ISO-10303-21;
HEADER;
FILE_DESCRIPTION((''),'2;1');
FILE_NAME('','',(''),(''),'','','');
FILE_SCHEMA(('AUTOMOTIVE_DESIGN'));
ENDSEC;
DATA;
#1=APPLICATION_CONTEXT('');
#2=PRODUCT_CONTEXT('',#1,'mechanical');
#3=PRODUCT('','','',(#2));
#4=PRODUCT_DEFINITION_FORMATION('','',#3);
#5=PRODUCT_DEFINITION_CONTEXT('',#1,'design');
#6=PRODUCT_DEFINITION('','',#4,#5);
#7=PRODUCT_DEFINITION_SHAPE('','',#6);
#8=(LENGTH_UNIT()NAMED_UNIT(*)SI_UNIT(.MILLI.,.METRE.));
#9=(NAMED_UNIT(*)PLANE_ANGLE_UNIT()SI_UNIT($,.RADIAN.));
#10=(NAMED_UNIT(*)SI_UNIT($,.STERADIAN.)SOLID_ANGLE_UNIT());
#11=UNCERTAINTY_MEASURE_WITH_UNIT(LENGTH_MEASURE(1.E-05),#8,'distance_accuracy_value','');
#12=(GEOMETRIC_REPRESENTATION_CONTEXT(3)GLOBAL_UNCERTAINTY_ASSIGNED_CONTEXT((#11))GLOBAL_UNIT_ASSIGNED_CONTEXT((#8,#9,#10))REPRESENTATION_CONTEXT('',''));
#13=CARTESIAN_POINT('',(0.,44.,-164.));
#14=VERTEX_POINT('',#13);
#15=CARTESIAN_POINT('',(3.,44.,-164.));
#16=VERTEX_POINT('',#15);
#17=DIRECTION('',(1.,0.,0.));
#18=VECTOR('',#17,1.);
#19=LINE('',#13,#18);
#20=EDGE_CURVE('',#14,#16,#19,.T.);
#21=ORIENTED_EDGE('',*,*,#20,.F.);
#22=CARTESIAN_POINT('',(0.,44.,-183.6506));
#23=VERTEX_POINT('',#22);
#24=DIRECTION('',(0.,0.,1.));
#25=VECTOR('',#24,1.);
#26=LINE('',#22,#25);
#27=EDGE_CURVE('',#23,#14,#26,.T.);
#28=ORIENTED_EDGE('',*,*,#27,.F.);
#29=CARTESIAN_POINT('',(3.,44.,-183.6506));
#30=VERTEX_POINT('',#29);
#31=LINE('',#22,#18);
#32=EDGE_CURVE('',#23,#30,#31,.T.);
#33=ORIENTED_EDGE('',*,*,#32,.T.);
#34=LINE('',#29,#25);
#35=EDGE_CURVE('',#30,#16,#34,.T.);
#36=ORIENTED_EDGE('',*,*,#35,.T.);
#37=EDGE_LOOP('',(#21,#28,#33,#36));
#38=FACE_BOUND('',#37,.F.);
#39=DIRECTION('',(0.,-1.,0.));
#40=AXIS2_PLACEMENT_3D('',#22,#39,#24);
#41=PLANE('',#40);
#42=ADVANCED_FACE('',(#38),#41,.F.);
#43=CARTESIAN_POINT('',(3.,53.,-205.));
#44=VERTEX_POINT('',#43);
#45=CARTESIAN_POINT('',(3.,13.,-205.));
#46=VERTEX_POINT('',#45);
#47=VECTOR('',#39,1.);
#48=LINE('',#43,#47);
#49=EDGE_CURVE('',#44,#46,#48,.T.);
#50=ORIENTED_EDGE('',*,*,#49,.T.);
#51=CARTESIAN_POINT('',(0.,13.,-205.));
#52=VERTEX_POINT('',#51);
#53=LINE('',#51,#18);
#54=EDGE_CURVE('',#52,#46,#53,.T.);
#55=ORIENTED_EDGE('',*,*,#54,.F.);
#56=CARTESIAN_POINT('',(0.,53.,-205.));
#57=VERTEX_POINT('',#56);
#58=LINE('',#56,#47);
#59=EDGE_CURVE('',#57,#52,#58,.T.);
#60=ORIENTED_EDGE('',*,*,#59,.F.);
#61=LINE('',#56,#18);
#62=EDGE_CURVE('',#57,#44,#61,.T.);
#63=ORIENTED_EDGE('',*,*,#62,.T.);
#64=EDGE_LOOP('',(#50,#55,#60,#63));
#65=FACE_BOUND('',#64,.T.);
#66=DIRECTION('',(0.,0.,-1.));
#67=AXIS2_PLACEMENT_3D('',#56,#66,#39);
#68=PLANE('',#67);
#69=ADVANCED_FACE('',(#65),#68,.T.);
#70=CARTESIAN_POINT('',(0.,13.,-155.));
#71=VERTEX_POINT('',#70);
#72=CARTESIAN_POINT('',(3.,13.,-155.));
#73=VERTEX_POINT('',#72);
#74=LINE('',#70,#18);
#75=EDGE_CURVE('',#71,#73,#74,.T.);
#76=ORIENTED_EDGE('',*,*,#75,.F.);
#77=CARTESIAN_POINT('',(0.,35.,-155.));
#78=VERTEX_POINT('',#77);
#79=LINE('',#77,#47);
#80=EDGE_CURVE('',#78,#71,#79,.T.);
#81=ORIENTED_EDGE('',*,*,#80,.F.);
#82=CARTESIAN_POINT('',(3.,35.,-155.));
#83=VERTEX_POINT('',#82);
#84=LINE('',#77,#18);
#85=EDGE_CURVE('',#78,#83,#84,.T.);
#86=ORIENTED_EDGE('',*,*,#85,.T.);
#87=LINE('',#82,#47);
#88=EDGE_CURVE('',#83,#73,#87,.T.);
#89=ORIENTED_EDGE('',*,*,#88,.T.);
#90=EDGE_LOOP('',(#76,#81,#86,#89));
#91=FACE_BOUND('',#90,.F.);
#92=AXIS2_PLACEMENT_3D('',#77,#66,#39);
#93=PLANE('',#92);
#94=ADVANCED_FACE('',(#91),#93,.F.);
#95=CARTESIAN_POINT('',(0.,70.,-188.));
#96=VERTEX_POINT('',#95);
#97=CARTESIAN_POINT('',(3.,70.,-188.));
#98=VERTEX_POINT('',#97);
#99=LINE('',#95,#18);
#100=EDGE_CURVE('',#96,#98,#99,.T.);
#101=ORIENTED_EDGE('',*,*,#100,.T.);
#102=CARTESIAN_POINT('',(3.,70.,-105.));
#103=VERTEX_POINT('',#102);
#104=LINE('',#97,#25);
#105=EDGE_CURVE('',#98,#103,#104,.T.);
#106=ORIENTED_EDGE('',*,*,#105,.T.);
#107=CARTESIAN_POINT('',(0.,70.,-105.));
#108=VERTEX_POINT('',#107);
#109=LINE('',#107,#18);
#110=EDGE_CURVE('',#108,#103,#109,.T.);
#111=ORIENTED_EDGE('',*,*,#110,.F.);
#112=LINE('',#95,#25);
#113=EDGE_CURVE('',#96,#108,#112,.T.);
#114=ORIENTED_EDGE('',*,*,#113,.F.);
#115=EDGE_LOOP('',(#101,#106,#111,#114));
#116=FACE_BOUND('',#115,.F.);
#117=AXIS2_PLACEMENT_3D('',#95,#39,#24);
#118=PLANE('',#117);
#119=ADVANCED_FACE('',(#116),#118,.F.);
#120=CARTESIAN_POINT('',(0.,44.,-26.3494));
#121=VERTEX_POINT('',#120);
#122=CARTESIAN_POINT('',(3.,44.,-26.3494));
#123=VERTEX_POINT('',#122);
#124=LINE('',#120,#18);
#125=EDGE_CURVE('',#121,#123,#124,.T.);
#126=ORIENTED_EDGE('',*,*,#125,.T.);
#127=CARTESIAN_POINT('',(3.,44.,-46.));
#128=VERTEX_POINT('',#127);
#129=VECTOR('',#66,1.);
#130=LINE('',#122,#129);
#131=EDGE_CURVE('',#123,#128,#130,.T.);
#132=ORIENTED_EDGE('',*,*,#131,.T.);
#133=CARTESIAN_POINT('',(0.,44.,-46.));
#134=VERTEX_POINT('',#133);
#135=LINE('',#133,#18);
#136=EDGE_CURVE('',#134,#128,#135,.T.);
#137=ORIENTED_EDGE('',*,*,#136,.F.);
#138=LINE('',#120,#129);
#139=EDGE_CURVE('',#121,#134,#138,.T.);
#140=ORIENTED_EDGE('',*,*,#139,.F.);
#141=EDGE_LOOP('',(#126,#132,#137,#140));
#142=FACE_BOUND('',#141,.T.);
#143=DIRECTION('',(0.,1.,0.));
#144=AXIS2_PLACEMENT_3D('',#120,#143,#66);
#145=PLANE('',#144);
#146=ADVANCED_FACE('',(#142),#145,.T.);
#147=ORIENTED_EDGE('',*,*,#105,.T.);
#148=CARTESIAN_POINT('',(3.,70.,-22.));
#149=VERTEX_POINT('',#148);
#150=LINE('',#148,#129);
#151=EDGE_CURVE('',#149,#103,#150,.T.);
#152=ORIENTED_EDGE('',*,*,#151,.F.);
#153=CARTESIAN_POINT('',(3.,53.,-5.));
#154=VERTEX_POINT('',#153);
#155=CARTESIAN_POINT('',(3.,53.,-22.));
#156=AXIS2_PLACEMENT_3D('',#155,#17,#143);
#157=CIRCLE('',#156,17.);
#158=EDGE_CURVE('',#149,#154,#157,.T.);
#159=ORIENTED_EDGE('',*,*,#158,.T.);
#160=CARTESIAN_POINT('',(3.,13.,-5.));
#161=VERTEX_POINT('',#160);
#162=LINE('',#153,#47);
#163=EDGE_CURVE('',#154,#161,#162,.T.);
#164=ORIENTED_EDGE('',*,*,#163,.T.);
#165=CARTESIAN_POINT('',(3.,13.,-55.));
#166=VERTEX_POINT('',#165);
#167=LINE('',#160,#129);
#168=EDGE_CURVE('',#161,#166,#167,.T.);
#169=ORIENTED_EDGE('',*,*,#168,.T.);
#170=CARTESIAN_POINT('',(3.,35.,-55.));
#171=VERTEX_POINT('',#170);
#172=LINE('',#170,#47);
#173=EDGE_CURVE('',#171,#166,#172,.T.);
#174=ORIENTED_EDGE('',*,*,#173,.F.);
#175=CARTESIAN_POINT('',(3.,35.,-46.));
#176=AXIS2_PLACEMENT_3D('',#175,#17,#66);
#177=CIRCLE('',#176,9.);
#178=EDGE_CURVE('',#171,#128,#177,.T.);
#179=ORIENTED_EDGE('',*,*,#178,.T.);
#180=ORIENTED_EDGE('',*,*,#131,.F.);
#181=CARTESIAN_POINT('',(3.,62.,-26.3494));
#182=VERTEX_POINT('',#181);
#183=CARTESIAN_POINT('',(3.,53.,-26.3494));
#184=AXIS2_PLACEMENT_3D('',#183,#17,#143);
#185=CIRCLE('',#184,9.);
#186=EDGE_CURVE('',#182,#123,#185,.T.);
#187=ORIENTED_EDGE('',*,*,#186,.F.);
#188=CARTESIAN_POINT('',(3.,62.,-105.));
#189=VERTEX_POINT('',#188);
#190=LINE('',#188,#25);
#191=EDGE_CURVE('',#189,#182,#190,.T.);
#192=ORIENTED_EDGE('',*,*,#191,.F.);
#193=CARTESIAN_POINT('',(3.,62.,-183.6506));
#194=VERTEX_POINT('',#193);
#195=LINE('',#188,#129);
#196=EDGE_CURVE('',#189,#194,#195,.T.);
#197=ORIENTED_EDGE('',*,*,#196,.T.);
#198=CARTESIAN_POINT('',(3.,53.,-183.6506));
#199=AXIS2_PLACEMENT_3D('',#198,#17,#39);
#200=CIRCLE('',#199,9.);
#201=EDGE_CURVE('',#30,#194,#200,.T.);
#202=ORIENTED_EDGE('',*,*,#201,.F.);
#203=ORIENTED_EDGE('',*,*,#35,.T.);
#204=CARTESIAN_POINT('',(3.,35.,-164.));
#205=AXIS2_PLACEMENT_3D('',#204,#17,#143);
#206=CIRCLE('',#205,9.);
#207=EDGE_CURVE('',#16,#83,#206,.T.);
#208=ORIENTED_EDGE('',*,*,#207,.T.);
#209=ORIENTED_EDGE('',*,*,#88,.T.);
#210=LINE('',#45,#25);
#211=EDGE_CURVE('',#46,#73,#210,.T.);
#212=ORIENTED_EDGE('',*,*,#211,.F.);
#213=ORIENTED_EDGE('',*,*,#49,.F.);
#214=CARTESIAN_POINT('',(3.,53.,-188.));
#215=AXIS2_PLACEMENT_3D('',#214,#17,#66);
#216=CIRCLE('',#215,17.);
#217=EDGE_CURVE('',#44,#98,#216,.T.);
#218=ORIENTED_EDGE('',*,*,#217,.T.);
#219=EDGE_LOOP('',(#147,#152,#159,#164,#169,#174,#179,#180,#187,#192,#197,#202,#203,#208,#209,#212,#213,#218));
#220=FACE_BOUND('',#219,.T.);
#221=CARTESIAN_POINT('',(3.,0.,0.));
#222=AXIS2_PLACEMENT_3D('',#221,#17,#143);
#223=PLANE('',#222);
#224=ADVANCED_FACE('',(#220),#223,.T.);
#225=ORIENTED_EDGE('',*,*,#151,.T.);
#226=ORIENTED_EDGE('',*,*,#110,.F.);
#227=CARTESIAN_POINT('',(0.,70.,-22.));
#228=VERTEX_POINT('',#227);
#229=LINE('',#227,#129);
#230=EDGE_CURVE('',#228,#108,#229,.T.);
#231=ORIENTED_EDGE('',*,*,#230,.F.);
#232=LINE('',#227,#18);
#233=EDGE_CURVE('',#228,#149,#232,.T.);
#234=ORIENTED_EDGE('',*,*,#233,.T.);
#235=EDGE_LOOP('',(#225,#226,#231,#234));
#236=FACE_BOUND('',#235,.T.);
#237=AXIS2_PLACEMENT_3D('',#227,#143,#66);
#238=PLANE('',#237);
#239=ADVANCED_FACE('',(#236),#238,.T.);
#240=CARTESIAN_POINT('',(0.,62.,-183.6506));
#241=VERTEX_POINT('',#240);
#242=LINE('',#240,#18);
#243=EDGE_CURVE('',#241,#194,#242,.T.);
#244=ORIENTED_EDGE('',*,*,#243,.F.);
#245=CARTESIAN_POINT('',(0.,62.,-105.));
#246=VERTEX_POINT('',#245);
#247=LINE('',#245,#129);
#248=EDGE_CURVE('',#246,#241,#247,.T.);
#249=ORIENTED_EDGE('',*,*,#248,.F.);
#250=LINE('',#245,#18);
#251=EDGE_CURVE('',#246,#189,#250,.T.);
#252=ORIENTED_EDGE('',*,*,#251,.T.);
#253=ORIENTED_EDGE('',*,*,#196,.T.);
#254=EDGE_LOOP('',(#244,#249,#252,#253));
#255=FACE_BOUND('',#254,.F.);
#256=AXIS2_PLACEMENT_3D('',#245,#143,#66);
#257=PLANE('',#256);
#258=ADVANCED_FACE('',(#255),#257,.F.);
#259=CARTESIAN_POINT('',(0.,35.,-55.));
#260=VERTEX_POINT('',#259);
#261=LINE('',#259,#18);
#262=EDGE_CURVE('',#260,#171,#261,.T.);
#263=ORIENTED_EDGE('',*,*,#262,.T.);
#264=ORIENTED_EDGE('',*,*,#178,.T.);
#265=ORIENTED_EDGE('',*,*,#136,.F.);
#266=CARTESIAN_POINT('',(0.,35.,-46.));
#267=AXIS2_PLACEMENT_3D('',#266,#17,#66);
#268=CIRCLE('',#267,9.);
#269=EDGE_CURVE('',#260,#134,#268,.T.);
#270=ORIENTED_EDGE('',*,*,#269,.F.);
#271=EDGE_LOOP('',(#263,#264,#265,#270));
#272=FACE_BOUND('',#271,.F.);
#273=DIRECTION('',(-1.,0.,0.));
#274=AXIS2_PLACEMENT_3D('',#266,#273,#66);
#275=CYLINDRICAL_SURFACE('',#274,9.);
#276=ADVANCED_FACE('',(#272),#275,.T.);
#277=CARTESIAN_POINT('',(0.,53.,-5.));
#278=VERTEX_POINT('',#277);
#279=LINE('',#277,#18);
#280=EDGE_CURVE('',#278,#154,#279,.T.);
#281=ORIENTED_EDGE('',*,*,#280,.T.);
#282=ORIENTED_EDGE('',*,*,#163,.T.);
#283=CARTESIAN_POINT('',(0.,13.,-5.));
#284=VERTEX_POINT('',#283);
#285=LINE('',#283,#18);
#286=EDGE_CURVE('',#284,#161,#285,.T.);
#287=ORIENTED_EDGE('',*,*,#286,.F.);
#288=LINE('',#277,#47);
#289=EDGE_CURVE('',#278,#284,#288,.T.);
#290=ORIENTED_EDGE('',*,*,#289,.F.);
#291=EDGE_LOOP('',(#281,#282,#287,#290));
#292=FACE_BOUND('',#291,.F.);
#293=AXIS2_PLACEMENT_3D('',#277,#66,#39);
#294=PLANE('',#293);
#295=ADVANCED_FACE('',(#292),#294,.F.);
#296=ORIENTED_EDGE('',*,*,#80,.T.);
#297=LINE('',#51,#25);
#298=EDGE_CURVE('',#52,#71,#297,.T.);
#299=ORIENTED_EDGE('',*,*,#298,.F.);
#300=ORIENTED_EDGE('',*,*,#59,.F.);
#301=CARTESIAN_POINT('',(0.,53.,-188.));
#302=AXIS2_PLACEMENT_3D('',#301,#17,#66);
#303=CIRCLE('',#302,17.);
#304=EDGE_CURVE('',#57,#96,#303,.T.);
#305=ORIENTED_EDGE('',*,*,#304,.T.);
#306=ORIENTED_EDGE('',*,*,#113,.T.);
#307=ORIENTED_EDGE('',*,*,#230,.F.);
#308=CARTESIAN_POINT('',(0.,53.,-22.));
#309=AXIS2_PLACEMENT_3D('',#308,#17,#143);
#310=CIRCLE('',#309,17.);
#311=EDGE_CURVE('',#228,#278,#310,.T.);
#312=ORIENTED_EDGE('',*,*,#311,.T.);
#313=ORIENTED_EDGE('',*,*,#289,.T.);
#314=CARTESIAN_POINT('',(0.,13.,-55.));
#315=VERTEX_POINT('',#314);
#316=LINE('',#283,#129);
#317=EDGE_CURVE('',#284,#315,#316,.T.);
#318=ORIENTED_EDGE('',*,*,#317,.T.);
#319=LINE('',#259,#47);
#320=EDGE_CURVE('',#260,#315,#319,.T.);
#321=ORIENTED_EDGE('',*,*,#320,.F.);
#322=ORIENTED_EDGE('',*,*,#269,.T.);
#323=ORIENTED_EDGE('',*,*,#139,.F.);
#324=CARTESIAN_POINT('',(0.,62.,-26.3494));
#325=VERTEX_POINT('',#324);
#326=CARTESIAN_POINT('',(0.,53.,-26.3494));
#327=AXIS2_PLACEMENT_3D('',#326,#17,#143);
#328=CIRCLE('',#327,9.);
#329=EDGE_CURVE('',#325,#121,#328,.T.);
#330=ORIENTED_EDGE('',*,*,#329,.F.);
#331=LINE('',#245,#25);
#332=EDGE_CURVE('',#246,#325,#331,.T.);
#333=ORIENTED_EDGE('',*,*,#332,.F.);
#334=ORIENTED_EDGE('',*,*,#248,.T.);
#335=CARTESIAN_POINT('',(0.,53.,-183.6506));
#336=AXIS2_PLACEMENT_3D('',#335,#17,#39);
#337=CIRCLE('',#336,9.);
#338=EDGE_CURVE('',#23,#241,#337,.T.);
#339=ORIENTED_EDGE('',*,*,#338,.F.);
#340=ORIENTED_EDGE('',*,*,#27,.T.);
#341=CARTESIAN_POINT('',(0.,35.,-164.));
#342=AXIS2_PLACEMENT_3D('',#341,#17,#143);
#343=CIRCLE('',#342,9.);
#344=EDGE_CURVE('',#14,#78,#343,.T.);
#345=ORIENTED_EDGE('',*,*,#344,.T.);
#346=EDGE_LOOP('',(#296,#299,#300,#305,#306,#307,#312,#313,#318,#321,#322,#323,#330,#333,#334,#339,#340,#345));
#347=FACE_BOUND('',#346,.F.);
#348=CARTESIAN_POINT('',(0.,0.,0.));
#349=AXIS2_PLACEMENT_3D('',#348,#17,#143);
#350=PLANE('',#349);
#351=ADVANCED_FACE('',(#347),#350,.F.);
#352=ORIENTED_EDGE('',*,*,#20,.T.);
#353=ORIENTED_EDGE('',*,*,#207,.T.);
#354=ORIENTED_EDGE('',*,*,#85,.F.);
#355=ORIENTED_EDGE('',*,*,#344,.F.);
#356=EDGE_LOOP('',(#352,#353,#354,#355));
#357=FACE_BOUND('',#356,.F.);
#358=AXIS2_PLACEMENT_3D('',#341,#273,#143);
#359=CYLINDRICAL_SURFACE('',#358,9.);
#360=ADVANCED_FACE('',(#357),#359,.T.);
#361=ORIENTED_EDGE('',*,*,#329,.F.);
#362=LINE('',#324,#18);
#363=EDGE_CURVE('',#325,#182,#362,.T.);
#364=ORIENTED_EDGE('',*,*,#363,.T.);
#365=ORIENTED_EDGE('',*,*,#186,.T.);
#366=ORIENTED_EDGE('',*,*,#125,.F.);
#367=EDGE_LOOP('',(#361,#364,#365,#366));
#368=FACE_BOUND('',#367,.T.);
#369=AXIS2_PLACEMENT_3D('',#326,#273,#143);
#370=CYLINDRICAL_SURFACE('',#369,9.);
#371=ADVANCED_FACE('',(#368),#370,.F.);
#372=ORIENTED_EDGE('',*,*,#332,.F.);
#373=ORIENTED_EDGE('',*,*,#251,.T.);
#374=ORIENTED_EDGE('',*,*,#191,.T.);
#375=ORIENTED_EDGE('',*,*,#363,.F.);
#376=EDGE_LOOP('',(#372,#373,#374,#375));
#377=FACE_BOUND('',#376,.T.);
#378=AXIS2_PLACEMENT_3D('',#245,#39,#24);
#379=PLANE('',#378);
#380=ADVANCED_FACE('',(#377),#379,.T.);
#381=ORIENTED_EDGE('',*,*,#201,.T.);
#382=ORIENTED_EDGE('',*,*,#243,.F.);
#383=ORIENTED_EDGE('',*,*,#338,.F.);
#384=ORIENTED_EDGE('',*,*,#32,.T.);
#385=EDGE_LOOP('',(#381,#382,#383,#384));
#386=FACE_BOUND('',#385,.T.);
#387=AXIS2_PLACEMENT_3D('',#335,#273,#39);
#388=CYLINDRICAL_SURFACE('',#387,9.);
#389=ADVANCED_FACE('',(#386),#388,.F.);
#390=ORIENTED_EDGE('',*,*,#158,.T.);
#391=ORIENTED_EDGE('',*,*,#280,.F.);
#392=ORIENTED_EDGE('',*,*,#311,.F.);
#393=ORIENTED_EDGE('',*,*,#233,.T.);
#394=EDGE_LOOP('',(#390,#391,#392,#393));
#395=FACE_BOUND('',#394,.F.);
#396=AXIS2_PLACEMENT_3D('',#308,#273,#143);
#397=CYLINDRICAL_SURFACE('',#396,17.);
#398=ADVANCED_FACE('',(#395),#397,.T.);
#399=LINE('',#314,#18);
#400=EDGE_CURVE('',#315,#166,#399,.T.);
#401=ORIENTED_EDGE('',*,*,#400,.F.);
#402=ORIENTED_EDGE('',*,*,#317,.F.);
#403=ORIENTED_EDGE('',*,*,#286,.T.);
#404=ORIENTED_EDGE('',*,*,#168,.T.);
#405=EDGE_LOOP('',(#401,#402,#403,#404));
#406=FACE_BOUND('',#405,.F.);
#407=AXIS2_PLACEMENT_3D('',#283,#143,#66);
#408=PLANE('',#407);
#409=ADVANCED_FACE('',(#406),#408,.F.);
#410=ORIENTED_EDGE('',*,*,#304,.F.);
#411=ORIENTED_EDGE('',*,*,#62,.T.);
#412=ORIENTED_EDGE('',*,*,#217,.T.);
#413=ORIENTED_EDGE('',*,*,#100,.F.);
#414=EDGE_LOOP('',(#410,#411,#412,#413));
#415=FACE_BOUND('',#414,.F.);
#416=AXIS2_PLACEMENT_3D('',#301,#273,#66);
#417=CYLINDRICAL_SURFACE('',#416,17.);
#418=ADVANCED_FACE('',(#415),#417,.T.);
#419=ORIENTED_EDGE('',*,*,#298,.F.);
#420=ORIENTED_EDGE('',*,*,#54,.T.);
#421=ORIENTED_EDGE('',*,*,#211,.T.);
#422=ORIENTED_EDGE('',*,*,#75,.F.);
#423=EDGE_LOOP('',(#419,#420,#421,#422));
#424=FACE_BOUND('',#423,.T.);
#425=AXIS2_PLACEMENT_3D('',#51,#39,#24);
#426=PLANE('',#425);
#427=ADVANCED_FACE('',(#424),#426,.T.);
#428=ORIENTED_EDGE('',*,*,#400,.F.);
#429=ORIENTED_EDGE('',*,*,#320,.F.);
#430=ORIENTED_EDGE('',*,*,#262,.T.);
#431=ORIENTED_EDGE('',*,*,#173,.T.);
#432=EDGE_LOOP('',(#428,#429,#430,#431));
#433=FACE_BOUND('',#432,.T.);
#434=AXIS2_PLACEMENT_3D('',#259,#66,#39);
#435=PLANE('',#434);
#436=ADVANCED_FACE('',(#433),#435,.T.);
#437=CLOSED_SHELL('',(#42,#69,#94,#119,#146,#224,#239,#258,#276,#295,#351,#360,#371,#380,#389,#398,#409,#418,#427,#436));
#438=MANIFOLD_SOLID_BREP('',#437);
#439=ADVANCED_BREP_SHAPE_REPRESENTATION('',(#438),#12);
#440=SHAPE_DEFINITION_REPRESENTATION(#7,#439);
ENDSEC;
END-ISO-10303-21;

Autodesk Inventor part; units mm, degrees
ref_plane "YZ Plane" through (0, 0, 0) normal (1, 0, 0) x (0, 1, 0)
ref_plane "XZ Plane" through (0, 0, 0) normal (0, 1, 0) x (-1, 0, 0)
ref_plane "XY Plane" through (0, 0, 0) normal (0, 0, 1) x (1, 0, 0)
sketch "Sketch1" plane through (0, 0, 0) normal (1, 0, 0) x (0, 1, 0)
  line L0 (0, 0) -> (18, 0) construction
  line L1 (18, 0) -> (18, -390) construction
  line L2 (18, -390) -> (0, -390) construction
  line L3 (0, -390) -> (0, 0) construction
  line L4 (88, 0) -> (78, 0) construction
  line L5 (78, 0) -> (78, -210) construction
  line L6 (78, -210) -> (88, -210) construction
  line L7 (88, -210) -> (88, 0) construction
  line L8 (18, 0) -> (28, 0) construction
  line L9 (28, 0) -> (28, -210) construction
  line L10 (28, -210) -> (18, -210) construction
  line L11 (18, -210) -> (18, 0) construction
  circle A0 centre (53, -21.3494) radius 25 construction
  line L12 (28, 0) -> (13, 0) construction
  line L13 (13, 0) -> (13, -105) construction
  line L14 (13, -105) -> (28, -105) construction
  line L15 (28, 0) -> (35, 0) construction
  line L16 (35, 0) -> (35, -4) construction
  arc A1 (35, -4) -> (28, -11) centre (35, -11) ccw construction
  line L17 (28, -11) -> (28, -105) construction
  circle A2 centre (53, -21.3494) radius 4 construction
  circle A3 centre (53, -188.6506) radius 25 construction
  circle A4 centre (53, -188.6506) radius 4 construction
  line L18 (57, -21.3494) -> (57, 53.377) construction
  line L19 (44, -26.3494) -> (44, -46)
  arc A5 (35, -55) -> (44, -46) centre (35, -46) ccw
  line L20 (35, -55) -> (13, -55)
  line L21 (49, -21.3494) -> (49, -26.623) construction
  line L22 (53, -5) -> (13, -5)
  line L23 (13, -5) -> (13, -55)
  line L24 (70, -22) -> (70, -105)
  line L25 (62, -105) -> (62, -26.3494)
  arc A6 (44, -164) -> (35, -155) centre (35, -164) ccw
  line L26 (35, -155) -> (13, -155)
  line L27 (53, -205) -> (13, -205)
  line L28 (13, -205) -> (13, -155)
  arc A7 (62, -26.3494) -> (44, -26.3494) centre (53, -26.3494) ccw
  line L29 (53, -17.3494) -> (54.9283, -17.3494) construction
  line L30 (53, -17.3494) -> (54.5485, -17.3494) construction
  line L31 (44, -183.6506) -> (44, -164)
  line L32 (62, -105) -> (62, -183.6506)
  arc A8 (44, -183.6506) -> (62, -183.6506) centre (53, -183.6506) ccw
  line L33 (53, -21.3494) -> (53, -188.6506) construction
  line L34 (49, -21.3494) -> (49, -188.6506) construction
  line L35 (57, -188.6506) -> (57, -21.3494) construction
  arc A9 (57, -21.3494) -> (49, -21.3494) centre (53, -21.3494) ccw construction
  arc A10 (49, -188.6506) -> (57, -188.6506) centre (53, -188.6506) ccw construction
  arc A11 (70, -22) -> (53, -5) centre (53, -22) ccw
  line L36 (70, -188) -> (70, -105)
  arc A12 (53, -205) -> (70, -188) centre (53, -188) ccw
  point P0 (20.5, -105)
  point P1 (53, -105)
  dimension "d6" = 50
  dimension "d0" = 18
  dimension "d1" = 210
  dimension "d3" = 60
  dimension "d4" = 390
  dimension "d5" = 10
  dimension "d7" = 5
  dimension "d11" = 7
  dimension "d13" = 7
  dimension "d14" = 8
  dimension "d15" = 5
  dimension "d17" = 5
  dimension "d19" = 9
  dimension "d28" = 11
  dimension "d29" = 8
  dimension "d31" = 5
  dimension "d32" = 200
  dimension "d33" = 50
  dimension "d34" = 10
  dimension "d35" = 18
extrude "Extrusion2" add sketch "Sketch1" along normal blind 3
equation "\"d19\" = d18"
equation "\"d18\" = 9"
properties part number "centralbar-210"
